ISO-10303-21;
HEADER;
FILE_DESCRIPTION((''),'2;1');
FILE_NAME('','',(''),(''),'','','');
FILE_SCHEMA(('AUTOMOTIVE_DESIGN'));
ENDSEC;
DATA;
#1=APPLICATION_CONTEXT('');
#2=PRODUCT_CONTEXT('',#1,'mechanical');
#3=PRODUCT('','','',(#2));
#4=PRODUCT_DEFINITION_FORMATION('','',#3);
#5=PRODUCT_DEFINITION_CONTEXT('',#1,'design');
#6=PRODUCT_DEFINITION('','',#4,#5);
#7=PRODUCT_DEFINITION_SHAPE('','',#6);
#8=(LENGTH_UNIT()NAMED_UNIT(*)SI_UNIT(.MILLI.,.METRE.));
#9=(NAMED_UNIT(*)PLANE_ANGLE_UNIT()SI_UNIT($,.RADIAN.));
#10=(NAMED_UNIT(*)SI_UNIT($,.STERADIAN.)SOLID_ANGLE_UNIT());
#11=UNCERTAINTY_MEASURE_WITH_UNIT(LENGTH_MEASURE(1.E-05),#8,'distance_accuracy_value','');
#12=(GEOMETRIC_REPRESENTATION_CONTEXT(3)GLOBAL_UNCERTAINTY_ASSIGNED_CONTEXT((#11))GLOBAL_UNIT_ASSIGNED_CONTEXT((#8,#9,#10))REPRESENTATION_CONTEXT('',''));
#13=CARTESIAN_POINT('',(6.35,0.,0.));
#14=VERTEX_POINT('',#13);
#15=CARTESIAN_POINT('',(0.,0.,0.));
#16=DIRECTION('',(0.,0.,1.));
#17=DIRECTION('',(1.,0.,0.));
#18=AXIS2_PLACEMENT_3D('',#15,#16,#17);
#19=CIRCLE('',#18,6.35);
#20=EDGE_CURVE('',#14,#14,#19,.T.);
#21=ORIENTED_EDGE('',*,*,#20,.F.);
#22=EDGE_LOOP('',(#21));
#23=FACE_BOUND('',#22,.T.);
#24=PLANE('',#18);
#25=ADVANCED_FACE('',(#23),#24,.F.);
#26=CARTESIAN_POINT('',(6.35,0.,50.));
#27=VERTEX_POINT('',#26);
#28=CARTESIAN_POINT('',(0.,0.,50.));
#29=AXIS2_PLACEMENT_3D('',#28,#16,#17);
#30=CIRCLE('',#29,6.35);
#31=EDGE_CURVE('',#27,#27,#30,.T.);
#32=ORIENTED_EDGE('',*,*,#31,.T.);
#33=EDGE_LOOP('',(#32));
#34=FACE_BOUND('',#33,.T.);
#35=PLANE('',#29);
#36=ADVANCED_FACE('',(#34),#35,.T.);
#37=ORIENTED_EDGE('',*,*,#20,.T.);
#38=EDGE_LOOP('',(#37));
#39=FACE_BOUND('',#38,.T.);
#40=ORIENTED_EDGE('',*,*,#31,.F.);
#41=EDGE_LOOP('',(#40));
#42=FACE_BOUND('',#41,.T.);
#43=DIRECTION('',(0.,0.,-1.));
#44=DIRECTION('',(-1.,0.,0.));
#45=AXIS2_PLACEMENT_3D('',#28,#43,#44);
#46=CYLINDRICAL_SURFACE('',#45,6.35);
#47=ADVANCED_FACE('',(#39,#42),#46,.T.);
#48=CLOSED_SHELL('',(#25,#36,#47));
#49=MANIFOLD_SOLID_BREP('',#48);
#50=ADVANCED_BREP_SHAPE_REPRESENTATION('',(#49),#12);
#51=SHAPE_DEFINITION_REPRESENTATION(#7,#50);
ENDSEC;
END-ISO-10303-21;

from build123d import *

# Parameters (mm, degrees)
SKETCH1_R           = 6.35
BOSS_EXTRUDE1_DEPTH = 50


with BuildPart() as part:
    # Sketch1 → Boss-Extrude1 (new body)
    with BuildSketch(Plane.XY):
        Circle(SKETCH1_R)
    extrude(amount=BOSS_EXTRUDE1_DEPTH)


solid = part.part
